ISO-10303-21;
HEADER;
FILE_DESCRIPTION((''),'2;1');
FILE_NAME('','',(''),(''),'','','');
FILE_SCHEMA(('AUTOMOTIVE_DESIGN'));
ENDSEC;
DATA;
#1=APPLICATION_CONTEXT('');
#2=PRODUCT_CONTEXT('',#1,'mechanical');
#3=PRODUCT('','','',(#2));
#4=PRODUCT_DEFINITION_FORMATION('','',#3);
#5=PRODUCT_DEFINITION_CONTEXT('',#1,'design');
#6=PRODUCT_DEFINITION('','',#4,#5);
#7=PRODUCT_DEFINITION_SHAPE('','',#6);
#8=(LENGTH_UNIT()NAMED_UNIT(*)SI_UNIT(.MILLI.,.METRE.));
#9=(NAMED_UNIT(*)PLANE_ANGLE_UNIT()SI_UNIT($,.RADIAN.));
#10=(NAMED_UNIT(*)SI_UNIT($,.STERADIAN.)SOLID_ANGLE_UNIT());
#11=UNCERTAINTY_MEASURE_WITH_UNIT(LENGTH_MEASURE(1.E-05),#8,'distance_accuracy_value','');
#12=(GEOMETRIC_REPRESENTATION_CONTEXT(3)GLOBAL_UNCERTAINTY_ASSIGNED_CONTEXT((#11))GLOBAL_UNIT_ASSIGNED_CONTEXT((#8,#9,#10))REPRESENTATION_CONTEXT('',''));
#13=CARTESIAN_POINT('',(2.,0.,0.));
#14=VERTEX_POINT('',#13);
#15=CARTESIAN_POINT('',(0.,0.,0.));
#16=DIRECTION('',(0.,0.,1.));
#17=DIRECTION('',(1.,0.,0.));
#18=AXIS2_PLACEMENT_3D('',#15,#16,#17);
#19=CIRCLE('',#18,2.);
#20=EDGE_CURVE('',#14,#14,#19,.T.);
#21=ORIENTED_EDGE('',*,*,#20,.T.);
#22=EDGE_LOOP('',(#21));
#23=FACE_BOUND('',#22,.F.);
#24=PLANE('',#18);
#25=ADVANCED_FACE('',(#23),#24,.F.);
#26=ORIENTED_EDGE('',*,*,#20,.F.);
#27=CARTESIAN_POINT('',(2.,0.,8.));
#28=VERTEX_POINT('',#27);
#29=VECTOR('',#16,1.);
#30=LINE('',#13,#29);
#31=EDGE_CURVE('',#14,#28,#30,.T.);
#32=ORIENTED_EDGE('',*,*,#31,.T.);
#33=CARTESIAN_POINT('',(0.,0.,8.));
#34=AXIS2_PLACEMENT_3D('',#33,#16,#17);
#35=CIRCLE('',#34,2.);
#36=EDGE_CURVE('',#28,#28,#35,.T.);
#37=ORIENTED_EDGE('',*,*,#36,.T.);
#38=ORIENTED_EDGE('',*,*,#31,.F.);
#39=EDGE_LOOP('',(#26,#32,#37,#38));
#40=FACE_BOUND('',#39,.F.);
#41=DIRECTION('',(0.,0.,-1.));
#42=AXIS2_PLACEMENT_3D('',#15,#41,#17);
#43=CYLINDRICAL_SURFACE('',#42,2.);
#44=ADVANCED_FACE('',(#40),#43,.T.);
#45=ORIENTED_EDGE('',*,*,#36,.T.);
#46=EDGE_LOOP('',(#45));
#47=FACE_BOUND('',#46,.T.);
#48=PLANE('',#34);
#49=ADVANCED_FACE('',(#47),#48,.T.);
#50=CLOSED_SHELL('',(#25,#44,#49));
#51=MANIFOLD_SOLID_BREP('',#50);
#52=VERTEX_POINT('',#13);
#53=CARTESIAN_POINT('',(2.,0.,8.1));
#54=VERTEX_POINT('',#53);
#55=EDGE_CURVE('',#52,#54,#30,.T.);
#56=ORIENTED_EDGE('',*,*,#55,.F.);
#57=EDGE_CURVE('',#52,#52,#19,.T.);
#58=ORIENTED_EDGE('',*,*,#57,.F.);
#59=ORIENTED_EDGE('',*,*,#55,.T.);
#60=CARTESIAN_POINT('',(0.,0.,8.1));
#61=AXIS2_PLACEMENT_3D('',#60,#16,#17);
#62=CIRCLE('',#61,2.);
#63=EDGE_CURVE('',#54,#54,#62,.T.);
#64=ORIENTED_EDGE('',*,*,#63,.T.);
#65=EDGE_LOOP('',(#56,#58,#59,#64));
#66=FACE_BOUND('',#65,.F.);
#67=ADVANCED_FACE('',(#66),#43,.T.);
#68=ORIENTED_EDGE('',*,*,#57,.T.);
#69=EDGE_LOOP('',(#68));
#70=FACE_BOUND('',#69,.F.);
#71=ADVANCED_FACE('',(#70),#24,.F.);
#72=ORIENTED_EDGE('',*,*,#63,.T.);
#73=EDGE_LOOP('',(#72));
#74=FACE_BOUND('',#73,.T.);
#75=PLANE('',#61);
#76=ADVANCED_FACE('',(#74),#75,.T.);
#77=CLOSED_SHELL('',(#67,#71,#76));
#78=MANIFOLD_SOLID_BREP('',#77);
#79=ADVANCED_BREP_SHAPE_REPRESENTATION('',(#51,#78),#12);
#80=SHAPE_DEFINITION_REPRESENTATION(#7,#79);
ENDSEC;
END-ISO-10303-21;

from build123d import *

# Parameters (mm, degrees)
F0_R     = 2
F1_DEPTH = 8
F2_DEPTH = 8.1


with BuildPart() as f1:
    # F0 (on Top) → F1 (new body)
    with BuildSketch(Plane.XY):
        Circle(F0_R)
    extrude(amount=F1_DEPTH)


with BuildPart() as f2:
    # F0 (on Top) → F2 (new body)
    with BuildSketch(Plane.XY):
        Circle(F0_R)
    extrude(amount=F2_DEPTH)


solid = Compound([f1.part, f2.part])
